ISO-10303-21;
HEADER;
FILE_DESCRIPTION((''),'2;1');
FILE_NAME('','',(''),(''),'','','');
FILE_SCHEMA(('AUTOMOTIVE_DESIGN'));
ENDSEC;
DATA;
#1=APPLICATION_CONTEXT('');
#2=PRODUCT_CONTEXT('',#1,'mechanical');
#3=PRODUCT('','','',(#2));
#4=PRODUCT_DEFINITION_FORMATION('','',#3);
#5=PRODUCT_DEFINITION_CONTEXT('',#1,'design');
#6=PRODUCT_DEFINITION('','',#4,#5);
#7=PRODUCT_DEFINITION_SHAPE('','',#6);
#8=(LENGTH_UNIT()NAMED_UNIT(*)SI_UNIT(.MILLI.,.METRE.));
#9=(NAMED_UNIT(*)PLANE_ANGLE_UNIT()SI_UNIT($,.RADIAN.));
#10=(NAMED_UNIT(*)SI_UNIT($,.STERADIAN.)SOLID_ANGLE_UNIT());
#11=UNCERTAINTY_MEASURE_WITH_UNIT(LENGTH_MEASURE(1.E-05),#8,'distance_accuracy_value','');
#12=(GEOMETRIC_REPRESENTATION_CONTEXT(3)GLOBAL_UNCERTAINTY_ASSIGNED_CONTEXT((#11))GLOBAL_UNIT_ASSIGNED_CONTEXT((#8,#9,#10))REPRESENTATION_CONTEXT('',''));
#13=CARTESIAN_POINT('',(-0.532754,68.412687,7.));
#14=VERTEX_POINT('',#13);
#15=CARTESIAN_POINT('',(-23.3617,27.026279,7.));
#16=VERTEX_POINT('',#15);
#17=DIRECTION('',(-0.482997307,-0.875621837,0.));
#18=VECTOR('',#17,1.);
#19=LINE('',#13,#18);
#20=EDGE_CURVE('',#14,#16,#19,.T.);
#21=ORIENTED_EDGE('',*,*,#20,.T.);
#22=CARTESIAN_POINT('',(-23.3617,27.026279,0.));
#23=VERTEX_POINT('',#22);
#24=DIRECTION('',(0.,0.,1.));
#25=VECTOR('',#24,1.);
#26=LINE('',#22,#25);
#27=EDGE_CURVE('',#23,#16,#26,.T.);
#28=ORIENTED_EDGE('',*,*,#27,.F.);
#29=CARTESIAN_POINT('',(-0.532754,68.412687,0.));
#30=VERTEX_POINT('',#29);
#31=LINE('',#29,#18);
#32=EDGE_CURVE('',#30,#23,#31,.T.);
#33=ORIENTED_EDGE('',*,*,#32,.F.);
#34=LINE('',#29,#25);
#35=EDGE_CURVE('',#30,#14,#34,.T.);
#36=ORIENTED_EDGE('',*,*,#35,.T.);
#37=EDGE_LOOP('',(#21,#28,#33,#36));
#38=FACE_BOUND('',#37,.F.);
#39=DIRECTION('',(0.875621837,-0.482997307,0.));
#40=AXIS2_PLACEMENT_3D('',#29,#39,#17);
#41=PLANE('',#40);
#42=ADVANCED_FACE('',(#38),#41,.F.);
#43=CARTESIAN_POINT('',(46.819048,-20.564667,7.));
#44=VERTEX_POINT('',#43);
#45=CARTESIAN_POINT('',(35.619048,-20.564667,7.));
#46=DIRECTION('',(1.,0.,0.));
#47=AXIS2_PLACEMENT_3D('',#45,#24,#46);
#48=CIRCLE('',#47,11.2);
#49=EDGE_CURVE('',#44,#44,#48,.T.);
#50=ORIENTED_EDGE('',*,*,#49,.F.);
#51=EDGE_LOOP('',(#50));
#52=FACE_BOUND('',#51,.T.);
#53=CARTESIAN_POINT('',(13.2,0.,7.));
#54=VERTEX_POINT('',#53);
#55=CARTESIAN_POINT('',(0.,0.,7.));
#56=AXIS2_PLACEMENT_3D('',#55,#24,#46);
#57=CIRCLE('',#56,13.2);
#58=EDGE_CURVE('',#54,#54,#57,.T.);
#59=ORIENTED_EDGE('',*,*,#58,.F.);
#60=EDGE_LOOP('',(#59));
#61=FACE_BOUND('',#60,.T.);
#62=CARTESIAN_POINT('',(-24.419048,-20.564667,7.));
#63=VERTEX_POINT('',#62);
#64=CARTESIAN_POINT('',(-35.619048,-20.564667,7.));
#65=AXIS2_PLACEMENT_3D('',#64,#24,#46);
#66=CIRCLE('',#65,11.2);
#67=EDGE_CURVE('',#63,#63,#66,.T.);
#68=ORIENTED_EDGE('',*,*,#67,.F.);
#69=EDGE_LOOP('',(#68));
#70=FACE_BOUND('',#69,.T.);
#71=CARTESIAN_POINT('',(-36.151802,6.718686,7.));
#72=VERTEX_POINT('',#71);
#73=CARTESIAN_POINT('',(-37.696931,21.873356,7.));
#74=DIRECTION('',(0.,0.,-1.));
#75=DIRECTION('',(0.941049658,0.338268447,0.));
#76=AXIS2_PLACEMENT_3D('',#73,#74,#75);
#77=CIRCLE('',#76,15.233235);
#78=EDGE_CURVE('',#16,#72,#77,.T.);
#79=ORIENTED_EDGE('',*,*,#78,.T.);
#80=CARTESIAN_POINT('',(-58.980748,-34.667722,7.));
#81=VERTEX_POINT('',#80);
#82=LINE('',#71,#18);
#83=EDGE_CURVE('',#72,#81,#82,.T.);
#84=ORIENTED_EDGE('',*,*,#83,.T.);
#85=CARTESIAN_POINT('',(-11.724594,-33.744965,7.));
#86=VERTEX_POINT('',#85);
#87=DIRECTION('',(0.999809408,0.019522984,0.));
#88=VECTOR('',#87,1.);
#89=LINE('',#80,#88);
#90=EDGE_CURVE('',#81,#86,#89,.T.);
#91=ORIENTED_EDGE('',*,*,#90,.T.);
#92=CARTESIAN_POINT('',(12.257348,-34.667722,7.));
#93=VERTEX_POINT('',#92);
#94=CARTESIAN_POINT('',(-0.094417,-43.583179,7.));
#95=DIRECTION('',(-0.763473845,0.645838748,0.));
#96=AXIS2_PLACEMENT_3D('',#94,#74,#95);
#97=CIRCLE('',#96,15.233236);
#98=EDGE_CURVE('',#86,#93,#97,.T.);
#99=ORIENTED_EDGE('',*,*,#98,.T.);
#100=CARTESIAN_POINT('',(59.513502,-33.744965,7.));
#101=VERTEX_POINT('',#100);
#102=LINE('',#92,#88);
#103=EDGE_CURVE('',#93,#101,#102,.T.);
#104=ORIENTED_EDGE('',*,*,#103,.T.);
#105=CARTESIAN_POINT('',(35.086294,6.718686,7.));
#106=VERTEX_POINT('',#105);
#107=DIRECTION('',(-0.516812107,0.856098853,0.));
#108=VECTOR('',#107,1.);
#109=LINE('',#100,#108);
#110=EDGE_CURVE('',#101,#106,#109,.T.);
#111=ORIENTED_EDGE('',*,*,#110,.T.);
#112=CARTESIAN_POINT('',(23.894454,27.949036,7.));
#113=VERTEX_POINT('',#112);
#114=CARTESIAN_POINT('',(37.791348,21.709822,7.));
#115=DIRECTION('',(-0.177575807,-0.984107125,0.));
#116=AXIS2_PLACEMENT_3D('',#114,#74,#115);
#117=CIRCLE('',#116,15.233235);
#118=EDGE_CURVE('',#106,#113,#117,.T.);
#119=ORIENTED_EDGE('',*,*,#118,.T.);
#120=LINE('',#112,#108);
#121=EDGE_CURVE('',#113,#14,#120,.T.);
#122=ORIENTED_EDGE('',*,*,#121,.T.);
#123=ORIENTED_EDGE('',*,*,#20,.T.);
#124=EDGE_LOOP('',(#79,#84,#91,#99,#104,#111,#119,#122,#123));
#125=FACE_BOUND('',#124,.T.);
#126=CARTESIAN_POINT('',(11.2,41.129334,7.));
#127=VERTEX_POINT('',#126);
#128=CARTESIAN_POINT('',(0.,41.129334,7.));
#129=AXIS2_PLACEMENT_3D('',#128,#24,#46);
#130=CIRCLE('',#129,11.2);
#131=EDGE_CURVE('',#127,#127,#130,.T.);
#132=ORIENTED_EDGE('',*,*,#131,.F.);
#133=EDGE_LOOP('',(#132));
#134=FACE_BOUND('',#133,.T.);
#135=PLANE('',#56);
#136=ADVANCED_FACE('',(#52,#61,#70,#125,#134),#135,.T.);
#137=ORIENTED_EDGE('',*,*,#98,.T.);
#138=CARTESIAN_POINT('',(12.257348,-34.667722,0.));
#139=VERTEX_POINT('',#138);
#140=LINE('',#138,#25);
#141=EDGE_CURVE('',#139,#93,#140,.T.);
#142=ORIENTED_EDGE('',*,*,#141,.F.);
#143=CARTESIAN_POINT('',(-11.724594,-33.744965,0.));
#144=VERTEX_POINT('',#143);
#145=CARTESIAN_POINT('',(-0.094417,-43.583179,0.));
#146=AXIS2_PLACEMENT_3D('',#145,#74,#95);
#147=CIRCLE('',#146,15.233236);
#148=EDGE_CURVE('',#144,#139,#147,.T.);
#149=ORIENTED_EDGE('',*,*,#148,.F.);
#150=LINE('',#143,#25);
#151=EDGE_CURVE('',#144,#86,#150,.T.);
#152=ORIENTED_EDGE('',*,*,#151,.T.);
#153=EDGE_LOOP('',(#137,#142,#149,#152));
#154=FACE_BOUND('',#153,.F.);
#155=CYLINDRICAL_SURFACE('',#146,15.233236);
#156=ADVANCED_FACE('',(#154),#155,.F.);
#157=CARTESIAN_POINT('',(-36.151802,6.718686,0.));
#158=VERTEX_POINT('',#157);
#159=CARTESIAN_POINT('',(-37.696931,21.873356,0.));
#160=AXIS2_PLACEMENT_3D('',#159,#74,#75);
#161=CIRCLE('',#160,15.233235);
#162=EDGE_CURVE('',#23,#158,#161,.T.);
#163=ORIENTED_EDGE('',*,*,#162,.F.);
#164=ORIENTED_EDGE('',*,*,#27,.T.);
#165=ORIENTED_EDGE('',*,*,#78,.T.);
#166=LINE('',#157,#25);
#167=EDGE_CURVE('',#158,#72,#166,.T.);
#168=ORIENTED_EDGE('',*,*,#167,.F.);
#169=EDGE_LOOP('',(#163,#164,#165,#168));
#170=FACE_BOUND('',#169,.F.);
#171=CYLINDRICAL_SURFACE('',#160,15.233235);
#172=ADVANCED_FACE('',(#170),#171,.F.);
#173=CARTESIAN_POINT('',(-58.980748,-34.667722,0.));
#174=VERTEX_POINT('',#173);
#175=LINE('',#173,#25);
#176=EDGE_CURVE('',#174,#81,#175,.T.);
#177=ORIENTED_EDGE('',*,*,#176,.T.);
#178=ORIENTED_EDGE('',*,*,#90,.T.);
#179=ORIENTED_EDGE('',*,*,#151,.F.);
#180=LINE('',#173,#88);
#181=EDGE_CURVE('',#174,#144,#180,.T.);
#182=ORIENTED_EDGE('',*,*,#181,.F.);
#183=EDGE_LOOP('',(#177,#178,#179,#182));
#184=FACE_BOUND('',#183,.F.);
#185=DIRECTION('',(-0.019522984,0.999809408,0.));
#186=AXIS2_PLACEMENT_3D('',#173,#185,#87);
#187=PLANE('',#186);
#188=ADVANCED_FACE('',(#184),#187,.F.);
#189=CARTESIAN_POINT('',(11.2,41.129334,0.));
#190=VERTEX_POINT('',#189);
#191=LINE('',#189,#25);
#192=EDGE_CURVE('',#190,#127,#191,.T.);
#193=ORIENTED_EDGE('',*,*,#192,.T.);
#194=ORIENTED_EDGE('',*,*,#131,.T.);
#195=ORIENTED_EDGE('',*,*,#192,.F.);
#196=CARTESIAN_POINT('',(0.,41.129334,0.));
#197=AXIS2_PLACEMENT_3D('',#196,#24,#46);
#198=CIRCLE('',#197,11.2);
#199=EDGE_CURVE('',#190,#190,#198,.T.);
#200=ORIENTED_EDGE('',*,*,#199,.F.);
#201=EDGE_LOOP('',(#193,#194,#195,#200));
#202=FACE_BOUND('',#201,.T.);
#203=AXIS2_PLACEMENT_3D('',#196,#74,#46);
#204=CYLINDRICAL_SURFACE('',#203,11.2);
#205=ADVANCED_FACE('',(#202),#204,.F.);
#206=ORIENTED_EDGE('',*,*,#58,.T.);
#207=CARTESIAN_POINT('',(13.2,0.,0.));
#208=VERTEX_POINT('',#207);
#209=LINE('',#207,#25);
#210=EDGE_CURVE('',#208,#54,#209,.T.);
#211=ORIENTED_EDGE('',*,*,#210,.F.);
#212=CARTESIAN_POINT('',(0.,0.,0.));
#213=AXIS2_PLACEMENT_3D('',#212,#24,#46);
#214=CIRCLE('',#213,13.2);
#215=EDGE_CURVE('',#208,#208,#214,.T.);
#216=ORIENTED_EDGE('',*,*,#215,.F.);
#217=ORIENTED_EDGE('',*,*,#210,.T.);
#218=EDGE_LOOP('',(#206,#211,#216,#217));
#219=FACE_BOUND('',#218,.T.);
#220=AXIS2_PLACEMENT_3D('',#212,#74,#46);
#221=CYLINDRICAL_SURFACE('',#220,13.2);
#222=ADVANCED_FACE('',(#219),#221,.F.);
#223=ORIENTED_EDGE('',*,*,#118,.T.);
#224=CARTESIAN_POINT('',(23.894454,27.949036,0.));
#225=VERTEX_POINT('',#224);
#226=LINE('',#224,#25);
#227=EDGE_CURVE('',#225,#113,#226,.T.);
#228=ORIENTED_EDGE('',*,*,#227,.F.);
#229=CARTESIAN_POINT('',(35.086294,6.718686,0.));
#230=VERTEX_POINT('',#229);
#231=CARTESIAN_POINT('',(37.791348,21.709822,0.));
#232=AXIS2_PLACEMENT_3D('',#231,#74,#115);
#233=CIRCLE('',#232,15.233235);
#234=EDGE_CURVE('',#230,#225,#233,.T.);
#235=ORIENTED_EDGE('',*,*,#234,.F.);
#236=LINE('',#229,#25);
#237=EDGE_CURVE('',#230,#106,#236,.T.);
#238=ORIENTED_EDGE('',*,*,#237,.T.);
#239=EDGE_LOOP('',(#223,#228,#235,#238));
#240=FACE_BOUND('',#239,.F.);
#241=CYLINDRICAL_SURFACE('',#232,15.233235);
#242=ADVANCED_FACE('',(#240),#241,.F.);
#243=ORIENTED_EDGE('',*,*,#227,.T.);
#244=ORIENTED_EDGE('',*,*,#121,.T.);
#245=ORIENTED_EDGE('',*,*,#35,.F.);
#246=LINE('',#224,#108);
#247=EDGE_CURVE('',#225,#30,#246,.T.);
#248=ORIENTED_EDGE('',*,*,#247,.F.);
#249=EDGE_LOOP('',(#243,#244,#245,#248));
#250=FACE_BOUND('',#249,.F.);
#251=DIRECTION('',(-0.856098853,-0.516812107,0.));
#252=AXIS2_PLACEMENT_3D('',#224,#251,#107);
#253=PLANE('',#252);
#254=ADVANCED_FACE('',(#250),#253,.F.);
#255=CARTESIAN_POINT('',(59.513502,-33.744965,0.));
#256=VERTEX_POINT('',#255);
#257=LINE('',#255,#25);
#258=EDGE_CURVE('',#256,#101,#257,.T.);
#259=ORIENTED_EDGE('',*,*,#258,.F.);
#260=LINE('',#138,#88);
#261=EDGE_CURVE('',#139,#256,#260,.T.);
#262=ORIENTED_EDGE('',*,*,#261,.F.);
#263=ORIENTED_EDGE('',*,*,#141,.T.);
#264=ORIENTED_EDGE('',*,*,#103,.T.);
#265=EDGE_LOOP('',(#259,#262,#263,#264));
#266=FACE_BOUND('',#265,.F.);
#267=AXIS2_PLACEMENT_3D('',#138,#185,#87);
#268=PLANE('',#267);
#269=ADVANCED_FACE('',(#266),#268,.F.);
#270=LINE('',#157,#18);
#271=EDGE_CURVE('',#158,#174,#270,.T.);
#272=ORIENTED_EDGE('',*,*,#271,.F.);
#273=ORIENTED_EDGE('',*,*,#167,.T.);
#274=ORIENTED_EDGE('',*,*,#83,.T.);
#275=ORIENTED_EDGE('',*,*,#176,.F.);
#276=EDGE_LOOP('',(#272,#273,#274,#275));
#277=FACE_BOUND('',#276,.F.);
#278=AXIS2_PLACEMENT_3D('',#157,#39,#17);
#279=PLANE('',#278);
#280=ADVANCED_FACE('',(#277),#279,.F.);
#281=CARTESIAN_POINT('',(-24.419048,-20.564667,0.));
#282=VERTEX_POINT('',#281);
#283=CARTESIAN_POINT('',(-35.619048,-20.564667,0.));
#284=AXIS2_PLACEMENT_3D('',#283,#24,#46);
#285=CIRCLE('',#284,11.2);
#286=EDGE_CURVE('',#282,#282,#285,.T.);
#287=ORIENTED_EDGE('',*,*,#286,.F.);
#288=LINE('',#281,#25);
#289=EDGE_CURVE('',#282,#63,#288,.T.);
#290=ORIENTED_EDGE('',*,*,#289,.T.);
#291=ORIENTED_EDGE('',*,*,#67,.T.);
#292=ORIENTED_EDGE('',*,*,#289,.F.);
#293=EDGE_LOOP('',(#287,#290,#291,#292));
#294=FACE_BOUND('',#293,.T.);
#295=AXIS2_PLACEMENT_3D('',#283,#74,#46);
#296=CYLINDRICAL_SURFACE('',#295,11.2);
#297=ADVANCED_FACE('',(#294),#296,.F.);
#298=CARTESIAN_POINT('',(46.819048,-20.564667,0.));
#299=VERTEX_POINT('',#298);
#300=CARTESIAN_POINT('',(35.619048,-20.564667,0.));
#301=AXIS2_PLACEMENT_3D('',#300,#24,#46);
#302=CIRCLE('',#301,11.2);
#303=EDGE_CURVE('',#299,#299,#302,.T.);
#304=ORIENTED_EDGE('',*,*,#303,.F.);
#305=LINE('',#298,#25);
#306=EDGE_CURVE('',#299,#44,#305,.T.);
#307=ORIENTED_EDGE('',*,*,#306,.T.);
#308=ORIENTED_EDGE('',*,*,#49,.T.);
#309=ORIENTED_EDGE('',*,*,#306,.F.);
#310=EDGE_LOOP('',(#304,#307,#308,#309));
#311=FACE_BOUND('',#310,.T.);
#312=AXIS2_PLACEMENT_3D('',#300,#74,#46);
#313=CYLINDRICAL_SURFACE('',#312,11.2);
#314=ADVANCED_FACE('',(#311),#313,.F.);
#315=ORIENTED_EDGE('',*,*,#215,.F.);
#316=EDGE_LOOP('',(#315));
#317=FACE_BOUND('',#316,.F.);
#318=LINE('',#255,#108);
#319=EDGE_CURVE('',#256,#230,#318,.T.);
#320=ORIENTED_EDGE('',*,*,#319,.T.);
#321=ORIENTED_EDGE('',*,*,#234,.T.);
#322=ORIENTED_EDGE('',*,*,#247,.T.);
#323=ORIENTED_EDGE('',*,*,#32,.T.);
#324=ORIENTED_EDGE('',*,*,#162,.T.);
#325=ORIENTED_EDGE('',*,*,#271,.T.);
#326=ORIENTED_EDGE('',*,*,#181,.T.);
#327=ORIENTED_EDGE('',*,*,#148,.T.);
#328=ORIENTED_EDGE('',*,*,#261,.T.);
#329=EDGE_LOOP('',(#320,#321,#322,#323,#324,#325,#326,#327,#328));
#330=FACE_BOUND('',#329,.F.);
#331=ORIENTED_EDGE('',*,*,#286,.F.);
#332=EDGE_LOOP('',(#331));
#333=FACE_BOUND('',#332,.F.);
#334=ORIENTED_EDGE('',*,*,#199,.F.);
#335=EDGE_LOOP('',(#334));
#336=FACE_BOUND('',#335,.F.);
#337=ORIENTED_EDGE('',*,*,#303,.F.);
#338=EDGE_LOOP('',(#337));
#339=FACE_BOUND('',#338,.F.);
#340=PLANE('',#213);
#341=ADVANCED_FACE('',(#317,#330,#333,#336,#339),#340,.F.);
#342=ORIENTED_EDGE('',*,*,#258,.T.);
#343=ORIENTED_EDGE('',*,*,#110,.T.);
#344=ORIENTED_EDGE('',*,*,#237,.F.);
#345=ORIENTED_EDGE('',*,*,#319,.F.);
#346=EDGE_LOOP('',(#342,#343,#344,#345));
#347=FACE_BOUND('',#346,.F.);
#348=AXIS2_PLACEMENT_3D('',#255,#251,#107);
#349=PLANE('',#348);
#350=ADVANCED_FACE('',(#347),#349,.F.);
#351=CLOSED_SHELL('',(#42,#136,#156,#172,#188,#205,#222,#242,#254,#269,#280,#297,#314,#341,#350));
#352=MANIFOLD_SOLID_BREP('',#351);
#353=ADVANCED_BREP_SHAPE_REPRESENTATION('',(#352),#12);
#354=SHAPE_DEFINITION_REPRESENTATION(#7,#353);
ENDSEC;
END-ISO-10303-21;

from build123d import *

# Parameters (mm, degrees)
F0_R     = 11.2
F0_R_2   = 13.2
F1_DEPTH = 7


with BuildPart() as f1:
    # F0 (on Top) → F1 (new body)
    with BuildSketch(Plane.XY):
        with BuildLine():
            Line((23.894454, 27.949036), (-0.532754, 68.412687))
            Line((-0.532754, 68.412687), (-23.3617, 27.026279))
            ThreePointArc((-23.3617, 27.026279), (-24.807166, 13.755141), (-36.151802, 6.718686))
            Line((-36.151802, 6.718686), (-58.980748, -34.667722))
            Line((-58.980748, -34.667722), (-11.724594, -33.744965))
            ThreePointArc((-11.724594, -33.744965), (0.491281, -28.361207), (12.257348, -34.667722))
            Line((12.257348, -34.667722), (59.513502, -33.744965))
            Line((59.513502, -33.744965), (35.086294, 6.718686))
            ThreePointArc((35.086294, 6.718686), (24.315885, 14.606065), (23.894454, 27.949036))
        make_face()
        with Locations((-35.619048, -20.564667)):
            Circle(F0_R, mode=Mode.SUBTRACT)
        Circle(F0_R_2, mode=Mode.SUBTRACT)
        with Locations((35.619048, -20.564667)):
            Circle(F0_R, mode=Mode.SUBTRACT)
        with Locations((0, 41.129334)):
            Circle(F0_R, mode=Mode.SUBTRACT)
    extrude(amount=F1_DEPTH)


solid = f1.part
